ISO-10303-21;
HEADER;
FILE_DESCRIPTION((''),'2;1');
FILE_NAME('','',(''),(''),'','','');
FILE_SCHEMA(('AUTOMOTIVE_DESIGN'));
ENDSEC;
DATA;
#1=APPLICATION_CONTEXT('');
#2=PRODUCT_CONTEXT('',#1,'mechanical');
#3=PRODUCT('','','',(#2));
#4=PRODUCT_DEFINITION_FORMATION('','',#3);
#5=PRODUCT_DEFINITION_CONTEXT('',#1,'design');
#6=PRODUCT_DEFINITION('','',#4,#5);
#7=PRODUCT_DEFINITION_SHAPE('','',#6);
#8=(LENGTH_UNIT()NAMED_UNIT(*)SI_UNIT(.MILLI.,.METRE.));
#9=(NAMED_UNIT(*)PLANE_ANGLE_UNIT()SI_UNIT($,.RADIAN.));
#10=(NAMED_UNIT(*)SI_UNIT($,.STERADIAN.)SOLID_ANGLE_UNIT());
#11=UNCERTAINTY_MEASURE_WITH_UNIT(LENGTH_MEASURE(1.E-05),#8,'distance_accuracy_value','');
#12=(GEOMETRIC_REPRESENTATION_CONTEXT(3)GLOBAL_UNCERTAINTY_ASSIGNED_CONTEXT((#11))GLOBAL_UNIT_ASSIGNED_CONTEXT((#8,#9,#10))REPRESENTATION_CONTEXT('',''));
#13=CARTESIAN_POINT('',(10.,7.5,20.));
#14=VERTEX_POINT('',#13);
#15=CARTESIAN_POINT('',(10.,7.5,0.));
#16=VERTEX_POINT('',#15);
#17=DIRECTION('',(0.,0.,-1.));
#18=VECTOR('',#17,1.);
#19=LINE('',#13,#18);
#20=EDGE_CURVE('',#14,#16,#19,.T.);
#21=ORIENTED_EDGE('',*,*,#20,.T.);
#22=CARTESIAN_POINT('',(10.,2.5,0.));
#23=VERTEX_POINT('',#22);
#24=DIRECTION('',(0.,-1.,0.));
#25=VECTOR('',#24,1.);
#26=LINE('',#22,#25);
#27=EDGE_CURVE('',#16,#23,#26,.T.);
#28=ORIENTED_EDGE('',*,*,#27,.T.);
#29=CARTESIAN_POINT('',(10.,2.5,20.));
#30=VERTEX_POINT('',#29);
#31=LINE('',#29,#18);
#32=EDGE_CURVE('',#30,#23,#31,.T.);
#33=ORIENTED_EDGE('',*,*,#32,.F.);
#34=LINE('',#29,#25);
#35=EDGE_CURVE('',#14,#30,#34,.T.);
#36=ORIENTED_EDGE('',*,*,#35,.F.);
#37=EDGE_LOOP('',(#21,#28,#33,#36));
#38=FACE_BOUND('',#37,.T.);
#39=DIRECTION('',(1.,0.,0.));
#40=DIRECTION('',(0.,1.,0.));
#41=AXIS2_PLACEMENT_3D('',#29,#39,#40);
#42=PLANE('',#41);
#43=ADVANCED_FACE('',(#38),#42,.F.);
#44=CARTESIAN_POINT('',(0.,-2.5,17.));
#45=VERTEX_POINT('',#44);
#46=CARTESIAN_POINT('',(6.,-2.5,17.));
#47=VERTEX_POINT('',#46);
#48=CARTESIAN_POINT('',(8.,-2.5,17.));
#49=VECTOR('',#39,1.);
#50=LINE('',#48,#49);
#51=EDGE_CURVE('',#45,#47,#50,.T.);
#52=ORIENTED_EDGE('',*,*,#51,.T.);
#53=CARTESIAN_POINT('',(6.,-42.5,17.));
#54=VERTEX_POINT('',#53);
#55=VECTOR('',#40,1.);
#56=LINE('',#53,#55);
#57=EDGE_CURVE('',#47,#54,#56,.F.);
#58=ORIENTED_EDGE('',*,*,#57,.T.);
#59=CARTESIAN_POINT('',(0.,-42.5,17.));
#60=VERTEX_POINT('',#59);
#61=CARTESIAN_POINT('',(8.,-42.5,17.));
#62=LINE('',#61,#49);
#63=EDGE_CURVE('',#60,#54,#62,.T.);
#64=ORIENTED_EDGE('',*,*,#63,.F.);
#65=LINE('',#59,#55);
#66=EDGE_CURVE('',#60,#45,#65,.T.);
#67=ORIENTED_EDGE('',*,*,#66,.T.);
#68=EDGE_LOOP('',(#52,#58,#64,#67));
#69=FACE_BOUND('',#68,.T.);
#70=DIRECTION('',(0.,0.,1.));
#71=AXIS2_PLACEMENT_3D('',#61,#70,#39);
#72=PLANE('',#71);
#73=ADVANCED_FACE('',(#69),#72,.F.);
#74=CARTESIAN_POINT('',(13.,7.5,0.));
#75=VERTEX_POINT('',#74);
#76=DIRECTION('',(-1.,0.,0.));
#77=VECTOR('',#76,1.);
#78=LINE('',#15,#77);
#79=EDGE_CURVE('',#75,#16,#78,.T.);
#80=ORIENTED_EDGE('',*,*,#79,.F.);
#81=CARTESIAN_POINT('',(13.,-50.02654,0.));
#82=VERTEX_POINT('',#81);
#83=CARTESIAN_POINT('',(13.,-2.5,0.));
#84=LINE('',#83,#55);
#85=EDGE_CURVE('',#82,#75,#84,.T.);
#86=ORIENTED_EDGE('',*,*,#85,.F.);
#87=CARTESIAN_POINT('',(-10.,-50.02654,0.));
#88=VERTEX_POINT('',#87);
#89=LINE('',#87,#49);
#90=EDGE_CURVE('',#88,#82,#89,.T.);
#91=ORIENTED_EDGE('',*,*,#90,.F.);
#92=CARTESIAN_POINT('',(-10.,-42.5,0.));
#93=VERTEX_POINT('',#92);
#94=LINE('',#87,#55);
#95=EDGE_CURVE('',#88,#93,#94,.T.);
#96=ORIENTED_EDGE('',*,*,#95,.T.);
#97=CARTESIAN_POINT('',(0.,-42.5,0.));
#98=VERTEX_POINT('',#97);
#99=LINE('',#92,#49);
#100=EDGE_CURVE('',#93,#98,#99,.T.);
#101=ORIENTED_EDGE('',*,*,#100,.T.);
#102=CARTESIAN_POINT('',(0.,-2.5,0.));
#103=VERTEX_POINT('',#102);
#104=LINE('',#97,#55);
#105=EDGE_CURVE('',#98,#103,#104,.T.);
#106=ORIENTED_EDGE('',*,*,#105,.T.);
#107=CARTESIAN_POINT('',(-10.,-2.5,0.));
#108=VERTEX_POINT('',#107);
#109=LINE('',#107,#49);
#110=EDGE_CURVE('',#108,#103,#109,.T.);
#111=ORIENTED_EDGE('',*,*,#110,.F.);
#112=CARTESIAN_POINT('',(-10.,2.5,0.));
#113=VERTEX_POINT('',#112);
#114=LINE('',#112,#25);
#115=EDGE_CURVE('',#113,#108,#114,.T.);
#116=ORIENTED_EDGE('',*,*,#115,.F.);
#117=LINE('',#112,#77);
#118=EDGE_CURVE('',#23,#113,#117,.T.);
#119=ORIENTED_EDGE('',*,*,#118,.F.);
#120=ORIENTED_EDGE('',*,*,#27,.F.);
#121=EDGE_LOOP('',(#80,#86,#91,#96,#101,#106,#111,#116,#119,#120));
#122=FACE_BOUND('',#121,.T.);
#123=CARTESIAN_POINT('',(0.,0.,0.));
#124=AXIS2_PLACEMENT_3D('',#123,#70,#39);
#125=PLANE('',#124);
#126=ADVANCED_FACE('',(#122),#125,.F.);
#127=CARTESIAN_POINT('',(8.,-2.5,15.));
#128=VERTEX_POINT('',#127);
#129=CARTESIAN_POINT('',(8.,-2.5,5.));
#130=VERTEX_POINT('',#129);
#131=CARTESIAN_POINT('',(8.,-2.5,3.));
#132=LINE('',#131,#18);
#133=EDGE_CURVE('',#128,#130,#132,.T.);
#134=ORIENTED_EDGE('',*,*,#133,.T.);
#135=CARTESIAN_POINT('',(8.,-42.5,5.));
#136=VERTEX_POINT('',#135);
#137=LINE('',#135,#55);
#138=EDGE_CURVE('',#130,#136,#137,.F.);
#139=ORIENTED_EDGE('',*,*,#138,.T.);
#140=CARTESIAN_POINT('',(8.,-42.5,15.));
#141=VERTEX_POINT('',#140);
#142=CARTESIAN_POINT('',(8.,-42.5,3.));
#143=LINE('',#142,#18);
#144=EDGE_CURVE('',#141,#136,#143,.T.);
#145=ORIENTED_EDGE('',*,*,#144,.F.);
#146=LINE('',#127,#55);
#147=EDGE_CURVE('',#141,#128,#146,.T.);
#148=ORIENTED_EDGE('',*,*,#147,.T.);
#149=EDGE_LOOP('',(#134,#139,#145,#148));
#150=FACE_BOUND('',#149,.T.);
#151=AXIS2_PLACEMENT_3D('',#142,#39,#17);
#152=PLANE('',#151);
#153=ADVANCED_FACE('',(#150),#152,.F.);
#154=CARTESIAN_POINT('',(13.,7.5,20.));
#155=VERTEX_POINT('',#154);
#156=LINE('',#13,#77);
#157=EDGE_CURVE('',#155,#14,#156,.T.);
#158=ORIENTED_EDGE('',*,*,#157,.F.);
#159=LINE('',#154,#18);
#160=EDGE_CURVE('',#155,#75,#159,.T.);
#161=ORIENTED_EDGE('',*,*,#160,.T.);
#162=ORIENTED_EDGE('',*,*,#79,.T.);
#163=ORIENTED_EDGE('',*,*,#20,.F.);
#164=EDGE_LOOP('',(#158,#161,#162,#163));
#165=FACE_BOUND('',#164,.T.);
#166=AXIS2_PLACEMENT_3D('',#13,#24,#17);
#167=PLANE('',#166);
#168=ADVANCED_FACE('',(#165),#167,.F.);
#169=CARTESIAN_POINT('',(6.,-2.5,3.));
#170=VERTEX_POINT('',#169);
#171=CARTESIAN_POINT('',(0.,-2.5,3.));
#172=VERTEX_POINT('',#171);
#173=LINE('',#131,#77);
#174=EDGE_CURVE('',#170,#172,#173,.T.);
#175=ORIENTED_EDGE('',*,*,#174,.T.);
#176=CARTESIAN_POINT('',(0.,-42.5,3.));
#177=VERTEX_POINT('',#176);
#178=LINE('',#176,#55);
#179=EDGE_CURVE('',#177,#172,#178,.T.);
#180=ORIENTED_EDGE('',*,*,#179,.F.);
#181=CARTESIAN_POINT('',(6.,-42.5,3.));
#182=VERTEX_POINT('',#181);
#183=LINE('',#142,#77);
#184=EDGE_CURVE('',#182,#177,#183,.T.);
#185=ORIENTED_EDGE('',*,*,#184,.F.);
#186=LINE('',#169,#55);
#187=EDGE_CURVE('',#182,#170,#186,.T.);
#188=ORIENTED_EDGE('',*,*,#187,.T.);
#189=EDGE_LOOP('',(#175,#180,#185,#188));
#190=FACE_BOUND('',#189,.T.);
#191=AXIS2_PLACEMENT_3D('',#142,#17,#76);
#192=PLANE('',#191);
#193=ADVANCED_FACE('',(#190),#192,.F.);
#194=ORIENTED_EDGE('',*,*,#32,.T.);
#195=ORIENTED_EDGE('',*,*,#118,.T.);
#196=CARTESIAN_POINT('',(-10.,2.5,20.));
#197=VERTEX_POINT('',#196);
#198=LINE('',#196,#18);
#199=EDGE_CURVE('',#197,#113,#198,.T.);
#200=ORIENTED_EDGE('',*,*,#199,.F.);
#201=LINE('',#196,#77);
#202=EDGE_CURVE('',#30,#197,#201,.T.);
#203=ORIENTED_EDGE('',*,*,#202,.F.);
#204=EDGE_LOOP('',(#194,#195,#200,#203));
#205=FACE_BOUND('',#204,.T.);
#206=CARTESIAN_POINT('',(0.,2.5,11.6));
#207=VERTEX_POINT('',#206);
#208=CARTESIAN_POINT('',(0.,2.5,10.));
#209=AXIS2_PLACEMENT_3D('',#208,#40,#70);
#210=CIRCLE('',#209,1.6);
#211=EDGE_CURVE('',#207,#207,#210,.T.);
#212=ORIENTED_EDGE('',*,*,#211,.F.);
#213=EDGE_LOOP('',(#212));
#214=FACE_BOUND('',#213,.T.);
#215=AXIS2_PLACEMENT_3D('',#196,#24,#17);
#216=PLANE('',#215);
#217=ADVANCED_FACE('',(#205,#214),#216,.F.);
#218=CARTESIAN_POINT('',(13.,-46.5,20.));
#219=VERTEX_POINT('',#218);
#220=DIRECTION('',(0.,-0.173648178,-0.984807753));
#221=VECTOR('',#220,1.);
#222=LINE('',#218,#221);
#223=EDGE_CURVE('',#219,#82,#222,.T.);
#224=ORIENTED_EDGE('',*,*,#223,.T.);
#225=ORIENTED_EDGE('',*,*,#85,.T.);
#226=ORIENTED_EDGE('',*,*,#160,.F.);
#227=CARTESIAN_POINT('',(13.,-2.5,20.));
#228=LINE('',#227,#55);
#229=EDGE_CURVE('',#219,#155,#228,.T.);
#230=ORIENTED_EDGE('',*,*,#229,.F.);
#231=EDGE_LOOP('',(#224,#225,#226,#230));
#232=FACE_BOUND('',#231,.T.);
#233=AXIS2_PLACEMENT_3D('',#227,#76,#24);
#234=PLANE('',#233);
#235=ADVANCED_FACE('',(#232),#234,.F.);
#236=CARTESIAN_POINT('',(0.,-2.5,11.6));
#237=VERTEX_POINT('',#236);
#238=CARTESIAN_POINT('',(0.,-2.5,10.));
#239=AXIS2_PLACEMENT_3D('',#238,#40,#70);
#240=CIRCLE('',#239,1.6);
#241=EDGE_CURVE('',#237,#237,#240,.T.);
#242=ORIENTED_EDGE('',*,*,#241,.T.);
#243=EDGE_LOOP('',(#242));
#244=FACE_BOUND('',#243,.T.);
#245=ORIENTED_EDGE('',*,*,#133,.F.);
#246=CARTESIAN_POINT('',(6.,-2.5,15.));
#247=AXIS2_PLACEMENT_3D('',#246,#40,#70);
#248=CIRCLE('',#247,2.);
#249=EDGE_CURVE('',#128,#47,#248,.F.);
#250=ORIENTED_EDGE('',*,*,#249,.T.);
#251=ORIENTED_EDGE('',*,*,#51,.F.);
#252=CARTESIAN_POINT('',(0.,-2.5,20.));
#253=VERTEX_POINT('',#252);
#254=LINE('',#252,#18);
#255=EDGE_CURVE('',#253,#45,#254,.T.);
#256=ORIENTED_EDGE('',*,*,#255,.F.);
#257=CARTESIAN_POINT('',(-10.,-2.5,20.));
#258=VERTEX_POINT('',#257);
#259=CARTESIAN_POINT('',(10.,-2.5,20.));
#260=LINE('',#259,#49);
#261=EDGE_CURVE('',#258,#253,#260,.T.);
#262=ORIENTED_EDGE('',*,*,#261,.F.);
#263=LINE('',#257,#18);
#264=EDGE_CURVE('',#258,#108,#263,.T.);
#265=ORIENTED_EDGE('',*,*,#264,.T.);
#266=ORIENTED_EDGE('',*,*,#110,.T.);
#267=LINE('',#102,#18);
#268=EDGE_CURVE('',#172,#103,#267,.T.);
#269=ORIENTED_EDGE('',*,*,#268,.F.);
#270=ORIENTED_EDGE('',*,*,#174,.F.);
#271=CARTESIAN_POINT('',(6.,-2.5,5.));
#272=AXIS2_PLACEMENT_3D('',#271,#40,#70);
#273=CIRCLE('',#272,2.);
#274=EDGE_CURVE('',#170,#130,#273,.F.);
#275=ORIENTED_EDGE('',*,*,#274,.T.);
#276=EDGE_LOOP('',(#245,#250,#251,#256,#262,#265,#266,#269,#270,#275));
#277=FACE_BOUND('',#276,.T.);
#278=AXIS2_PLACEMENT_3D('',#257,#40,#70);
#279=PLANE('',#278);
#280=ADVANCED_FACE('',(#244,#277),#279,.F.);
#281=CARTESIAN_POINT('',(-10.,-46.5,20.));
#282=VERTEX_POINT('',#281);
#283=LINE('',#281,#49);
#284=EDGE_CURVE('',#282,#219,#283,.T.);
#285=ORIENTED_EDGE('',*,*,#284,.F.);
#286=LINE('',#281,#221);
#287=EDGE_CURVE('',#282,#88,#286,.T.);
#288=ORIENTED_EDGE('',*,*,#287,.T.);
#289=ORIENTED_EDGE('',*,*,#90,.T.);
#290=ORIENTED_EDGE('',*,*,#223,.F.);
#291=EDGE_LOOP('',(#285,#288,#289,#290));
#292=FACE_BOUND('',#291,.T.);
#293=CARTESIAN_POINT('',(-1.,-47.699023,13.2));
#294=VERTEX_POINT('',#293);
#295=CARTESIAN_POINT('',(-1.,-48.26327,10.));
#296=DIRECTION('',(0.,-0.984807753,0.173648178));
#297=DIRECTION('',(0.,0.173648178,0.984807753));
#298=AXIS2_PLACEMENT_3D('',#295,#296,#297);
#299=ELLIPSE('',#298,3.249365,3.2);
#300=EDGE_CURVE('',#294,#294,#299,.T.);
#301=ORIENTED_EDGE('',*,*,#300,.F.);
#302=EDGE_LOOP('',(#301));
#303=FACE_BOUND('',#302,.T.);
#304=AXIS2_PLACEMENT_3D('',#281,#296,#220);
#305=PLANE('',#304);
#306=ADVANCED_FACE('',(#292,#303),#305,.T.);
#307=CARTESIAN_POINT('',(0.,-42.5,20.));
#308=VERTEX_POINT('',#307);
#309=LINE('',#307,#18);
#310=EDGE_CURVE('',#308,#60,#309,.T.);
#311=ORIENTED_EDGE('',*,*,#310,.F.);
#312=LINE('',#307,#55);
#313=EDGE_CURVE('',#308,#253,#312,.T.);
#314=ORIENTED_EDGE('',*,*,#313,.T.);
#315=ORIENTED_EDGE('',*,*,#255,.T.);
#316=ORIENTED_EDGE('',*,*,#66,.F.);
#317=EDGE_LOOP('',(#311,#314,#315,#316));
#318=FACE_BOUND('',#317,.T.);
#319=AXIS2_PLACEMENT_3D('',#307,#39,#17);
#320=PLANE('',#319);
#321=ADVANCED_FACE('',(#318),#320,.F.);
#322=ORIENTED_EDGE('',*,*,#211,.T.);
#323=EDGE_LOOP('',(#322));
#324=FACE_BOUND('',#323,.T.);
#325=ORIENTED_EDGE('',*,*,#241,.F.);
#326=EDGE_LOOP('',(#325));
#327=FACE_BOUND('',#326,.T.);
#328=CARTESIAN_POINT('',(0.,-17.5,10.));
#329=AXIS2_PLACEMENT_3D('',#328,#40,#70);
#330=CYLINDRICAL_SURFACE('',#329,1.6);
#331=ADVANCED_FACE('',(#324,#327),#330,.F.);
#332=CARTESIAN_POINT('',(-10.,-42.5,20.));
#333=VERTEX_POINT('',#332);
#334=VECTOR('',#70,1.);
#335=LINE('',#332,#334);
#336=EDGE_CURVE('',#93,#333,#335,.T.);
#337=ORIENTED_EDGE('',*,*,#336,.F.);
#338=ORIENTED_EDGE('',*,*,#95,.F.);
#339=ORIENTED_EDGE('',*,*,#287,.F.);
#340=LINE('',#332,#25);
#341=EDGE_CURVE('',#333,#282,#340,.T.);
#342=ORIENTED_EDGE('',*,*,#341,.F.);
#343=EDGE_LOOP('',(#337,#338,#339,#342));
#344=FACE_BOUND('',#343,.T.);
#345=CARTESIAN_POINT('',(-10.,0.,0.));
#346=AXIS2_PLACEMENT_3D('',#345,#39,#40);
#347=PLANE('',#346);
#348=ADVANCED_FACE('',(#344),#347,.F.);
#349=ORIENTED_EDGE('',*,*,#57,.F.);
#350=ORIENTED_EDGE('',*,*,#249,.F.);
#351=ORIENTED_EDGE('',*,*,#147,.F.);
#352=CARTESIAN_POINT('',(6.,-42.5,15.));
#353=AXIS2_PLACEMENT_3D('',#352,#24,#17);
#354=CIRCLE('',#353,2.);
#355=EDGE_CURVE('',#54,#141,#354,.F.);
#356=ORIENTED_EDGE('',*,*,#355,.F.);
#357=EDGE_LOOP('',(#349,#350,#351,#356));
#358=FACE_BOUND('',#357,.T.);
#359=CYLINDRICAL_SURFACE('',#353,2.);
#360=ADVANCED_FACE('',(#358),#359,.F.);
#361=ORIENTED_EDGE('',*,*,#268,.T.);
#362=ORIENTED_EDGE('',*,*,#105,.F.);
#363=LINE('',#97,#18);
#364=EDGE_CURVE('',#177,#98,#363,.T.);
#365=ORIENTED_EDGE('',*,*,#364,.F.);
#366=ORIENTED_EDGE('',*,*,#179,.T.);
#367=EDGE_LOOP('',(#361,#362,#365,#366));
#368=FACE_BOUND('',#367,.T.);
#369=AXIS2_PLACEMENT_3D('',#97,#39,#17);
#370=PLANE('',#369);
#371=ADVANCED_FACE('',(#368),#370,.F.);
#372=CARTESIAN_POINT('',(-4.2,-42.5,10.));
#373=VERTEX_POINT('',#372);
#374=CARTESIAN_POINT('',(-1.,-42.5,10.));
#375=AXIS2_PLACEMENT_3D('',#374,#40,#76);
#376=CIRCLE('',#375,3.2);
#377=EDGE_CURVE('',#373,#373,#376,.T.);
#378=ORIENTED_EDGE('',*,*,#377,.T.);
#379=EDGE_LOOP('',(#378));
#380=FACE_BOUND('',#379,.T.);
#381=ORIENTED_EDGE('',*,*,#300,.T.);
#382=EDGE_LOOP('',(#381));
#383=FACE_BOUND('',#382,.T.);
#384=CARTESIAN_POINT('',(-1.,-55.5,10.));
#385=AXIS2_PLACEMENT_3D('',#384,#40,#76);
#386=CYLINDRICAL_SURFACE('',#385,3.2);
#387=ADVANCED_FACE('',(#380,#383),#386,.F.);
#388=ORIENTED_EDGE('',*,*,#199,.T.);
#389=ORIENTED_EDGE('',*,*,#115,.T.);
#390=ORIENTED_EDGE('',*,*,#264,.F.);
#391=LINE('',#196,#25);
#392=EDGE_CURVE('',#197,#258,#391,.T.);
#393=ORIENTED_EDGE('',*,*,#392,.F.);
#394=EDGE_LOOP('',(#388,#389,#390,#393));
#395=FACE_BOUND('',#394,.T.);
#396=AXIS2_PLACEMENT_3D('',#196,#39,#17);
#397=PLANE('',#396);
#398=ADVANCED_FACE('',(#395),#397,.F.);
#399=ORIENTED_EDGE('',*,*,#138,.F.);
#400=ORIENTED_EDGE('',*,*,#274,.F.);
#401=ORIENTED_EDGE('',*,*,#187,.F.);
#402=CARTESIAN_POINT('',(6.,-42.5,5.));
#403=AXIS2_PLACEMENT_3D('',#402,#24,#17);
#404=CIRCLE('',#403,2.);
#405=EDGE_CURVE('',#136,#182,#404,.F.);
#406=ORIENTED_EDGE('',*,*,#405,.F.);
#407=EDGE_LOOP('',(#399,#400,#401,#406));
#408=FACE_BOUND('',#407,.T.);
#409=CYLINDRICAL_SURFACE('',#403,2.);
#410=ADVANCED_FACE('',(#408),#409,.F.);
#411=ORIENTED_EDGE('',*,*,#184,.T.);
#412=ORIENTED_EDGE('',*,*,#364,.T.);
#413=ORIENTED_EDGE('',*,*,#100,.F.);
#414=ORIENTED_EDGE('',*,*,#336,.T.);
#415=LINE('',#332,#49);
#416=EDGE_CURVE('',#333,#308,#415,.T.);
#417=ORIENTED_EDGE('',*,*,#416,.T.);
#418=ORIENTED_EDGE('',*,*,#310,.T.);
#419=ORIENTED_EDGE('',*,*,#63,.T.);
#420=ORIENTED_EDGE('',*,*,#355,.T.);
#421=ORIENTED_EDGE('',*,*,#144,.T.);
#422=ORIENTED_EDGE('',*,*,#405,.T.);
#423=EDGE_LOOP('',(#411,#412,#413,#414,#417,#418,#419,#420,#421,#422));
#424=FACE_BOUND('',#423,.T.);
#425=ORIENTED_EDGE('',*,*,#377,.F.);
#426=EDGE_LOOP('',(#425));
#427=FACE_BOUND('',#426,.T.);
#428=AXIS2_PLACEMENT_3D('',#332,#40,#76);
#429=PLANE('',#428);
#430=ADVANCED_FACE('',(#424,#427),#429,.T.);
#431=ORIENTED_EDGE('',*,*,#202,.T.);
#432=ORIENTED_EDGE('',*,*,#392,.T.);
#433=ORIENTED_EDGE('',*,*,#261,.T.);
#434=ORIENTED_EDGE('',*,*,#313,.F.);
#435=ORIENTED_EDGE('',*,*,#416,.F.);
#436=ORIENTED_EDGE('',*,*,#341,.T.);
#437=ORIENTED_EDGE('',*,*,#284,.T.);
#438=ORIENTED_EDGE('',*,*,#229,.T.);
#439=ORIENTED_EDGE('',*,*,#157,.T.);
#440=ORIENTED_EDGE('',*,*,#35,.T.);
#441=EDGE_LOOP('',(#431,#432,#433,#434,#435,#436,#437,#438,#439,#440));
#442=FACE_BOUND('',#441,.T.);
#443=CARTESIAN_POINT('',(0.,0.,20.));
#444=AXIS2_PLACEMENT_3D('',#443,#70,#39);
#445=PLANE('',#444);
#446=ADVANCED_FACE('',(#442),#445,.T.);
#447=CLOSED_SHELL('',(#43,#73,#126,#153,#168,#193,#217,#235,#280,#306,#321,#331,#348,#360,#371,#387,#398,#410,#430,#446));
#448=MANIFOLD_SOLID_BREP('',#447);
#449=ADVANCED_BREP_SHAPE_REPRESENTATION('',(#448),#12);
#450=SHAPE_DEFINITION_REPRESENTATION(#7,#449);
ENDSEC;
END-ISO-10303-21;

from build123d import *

# Parameters (mm, degrees)
BOSS_EXTRUDE1_DEPTH = 20
SKETCH3_R           = 1.6
CUT_EXTRUDE1_DEPTH  = 20
BOSS_EXTRUDE2_DEPTH = 40
FILLET1_R           = 2
BOSS_EXTRUDE3_DEPTH = 23
SKETCH6_R           = 3.2
CUT_EXTRUDE2_DEPTH  = 13


with BuildPart() as part:
    # Sketch2 → Boss-Extrude1 (new body)
    with BuildSketch(Plane.XY):
        Polygon((-10, 2.5), (10, 2.5), (10, 7.5), (13, 7.5), (13, -2.5), (10, -2.5), (-10, -2.5), align=None)
    extrude(amount=BOSS_EXTRUDE1_DEPTH)

    # Sketch3 → Cut-Extrude1 (cut)
    with BuildSketch(Plane(origin=(0, 2.5, 0), x_dir=(1, 0, 0), z_dir=(0, 1, 0))):
        with Locations(Location((0, -10, 0), (0, 0, 270))):
            Circle(SKETCH3_R)
    extrude(amount=-CUT_EXTRUDE1_DEPTH, mode=Mode.SUBTRACT)

    # Sketch4 → Boss-Extrude2 (add)
    with BuildSketch(Plane.XZ.offset(2.5)):
        Polygon((13, 0), (8, 0), (0, 0), (0, 3), (8, 3), (8, 17), (0, 17), (0, 20), (8, 20), (13, 20), align=None)
    extrude(amount=BOSS_EXTRUDE2_DEPTH)

    # Fillet1
    fillet1_edges = [part.edges().sort_by_distance(p)[0] for p in [
        (8, -22.5, 17),
        (8, -22.5, 3),
    ]]
    fillet(fillet1_edges, radius=FILLET1_R)

    # Sketch5 → Boss-Extrude3 (add)
    with BuildSketch(Plane(origin=(13, 0, 0), x_dir=(0, 0, -1), z_dir=(1, 0, 0))):
        Polygon((-20, -42.5), (-20, -46.5), (0, -50.026539614), (0, -42.5), align=None)
    extrude(amount=-BOSS_EXTRUDE3_DEPTH)

    # Sketch6 → Cut-Extrude2 (cut)
    with BuildSketch(Plane(origin=(0, -42.5, 0), x_dir=(1, 0, 0), z_dir=(0, 1, 0))):
        with Locations(Location((-1, -10, 0), (0, 0, 180))):
            Circle(SKETCH6_R)
    extrude(amount=-CUT_EXTRUDE2_DEPTH, mode=Mode.SUBTRACT)


solid = part.part
